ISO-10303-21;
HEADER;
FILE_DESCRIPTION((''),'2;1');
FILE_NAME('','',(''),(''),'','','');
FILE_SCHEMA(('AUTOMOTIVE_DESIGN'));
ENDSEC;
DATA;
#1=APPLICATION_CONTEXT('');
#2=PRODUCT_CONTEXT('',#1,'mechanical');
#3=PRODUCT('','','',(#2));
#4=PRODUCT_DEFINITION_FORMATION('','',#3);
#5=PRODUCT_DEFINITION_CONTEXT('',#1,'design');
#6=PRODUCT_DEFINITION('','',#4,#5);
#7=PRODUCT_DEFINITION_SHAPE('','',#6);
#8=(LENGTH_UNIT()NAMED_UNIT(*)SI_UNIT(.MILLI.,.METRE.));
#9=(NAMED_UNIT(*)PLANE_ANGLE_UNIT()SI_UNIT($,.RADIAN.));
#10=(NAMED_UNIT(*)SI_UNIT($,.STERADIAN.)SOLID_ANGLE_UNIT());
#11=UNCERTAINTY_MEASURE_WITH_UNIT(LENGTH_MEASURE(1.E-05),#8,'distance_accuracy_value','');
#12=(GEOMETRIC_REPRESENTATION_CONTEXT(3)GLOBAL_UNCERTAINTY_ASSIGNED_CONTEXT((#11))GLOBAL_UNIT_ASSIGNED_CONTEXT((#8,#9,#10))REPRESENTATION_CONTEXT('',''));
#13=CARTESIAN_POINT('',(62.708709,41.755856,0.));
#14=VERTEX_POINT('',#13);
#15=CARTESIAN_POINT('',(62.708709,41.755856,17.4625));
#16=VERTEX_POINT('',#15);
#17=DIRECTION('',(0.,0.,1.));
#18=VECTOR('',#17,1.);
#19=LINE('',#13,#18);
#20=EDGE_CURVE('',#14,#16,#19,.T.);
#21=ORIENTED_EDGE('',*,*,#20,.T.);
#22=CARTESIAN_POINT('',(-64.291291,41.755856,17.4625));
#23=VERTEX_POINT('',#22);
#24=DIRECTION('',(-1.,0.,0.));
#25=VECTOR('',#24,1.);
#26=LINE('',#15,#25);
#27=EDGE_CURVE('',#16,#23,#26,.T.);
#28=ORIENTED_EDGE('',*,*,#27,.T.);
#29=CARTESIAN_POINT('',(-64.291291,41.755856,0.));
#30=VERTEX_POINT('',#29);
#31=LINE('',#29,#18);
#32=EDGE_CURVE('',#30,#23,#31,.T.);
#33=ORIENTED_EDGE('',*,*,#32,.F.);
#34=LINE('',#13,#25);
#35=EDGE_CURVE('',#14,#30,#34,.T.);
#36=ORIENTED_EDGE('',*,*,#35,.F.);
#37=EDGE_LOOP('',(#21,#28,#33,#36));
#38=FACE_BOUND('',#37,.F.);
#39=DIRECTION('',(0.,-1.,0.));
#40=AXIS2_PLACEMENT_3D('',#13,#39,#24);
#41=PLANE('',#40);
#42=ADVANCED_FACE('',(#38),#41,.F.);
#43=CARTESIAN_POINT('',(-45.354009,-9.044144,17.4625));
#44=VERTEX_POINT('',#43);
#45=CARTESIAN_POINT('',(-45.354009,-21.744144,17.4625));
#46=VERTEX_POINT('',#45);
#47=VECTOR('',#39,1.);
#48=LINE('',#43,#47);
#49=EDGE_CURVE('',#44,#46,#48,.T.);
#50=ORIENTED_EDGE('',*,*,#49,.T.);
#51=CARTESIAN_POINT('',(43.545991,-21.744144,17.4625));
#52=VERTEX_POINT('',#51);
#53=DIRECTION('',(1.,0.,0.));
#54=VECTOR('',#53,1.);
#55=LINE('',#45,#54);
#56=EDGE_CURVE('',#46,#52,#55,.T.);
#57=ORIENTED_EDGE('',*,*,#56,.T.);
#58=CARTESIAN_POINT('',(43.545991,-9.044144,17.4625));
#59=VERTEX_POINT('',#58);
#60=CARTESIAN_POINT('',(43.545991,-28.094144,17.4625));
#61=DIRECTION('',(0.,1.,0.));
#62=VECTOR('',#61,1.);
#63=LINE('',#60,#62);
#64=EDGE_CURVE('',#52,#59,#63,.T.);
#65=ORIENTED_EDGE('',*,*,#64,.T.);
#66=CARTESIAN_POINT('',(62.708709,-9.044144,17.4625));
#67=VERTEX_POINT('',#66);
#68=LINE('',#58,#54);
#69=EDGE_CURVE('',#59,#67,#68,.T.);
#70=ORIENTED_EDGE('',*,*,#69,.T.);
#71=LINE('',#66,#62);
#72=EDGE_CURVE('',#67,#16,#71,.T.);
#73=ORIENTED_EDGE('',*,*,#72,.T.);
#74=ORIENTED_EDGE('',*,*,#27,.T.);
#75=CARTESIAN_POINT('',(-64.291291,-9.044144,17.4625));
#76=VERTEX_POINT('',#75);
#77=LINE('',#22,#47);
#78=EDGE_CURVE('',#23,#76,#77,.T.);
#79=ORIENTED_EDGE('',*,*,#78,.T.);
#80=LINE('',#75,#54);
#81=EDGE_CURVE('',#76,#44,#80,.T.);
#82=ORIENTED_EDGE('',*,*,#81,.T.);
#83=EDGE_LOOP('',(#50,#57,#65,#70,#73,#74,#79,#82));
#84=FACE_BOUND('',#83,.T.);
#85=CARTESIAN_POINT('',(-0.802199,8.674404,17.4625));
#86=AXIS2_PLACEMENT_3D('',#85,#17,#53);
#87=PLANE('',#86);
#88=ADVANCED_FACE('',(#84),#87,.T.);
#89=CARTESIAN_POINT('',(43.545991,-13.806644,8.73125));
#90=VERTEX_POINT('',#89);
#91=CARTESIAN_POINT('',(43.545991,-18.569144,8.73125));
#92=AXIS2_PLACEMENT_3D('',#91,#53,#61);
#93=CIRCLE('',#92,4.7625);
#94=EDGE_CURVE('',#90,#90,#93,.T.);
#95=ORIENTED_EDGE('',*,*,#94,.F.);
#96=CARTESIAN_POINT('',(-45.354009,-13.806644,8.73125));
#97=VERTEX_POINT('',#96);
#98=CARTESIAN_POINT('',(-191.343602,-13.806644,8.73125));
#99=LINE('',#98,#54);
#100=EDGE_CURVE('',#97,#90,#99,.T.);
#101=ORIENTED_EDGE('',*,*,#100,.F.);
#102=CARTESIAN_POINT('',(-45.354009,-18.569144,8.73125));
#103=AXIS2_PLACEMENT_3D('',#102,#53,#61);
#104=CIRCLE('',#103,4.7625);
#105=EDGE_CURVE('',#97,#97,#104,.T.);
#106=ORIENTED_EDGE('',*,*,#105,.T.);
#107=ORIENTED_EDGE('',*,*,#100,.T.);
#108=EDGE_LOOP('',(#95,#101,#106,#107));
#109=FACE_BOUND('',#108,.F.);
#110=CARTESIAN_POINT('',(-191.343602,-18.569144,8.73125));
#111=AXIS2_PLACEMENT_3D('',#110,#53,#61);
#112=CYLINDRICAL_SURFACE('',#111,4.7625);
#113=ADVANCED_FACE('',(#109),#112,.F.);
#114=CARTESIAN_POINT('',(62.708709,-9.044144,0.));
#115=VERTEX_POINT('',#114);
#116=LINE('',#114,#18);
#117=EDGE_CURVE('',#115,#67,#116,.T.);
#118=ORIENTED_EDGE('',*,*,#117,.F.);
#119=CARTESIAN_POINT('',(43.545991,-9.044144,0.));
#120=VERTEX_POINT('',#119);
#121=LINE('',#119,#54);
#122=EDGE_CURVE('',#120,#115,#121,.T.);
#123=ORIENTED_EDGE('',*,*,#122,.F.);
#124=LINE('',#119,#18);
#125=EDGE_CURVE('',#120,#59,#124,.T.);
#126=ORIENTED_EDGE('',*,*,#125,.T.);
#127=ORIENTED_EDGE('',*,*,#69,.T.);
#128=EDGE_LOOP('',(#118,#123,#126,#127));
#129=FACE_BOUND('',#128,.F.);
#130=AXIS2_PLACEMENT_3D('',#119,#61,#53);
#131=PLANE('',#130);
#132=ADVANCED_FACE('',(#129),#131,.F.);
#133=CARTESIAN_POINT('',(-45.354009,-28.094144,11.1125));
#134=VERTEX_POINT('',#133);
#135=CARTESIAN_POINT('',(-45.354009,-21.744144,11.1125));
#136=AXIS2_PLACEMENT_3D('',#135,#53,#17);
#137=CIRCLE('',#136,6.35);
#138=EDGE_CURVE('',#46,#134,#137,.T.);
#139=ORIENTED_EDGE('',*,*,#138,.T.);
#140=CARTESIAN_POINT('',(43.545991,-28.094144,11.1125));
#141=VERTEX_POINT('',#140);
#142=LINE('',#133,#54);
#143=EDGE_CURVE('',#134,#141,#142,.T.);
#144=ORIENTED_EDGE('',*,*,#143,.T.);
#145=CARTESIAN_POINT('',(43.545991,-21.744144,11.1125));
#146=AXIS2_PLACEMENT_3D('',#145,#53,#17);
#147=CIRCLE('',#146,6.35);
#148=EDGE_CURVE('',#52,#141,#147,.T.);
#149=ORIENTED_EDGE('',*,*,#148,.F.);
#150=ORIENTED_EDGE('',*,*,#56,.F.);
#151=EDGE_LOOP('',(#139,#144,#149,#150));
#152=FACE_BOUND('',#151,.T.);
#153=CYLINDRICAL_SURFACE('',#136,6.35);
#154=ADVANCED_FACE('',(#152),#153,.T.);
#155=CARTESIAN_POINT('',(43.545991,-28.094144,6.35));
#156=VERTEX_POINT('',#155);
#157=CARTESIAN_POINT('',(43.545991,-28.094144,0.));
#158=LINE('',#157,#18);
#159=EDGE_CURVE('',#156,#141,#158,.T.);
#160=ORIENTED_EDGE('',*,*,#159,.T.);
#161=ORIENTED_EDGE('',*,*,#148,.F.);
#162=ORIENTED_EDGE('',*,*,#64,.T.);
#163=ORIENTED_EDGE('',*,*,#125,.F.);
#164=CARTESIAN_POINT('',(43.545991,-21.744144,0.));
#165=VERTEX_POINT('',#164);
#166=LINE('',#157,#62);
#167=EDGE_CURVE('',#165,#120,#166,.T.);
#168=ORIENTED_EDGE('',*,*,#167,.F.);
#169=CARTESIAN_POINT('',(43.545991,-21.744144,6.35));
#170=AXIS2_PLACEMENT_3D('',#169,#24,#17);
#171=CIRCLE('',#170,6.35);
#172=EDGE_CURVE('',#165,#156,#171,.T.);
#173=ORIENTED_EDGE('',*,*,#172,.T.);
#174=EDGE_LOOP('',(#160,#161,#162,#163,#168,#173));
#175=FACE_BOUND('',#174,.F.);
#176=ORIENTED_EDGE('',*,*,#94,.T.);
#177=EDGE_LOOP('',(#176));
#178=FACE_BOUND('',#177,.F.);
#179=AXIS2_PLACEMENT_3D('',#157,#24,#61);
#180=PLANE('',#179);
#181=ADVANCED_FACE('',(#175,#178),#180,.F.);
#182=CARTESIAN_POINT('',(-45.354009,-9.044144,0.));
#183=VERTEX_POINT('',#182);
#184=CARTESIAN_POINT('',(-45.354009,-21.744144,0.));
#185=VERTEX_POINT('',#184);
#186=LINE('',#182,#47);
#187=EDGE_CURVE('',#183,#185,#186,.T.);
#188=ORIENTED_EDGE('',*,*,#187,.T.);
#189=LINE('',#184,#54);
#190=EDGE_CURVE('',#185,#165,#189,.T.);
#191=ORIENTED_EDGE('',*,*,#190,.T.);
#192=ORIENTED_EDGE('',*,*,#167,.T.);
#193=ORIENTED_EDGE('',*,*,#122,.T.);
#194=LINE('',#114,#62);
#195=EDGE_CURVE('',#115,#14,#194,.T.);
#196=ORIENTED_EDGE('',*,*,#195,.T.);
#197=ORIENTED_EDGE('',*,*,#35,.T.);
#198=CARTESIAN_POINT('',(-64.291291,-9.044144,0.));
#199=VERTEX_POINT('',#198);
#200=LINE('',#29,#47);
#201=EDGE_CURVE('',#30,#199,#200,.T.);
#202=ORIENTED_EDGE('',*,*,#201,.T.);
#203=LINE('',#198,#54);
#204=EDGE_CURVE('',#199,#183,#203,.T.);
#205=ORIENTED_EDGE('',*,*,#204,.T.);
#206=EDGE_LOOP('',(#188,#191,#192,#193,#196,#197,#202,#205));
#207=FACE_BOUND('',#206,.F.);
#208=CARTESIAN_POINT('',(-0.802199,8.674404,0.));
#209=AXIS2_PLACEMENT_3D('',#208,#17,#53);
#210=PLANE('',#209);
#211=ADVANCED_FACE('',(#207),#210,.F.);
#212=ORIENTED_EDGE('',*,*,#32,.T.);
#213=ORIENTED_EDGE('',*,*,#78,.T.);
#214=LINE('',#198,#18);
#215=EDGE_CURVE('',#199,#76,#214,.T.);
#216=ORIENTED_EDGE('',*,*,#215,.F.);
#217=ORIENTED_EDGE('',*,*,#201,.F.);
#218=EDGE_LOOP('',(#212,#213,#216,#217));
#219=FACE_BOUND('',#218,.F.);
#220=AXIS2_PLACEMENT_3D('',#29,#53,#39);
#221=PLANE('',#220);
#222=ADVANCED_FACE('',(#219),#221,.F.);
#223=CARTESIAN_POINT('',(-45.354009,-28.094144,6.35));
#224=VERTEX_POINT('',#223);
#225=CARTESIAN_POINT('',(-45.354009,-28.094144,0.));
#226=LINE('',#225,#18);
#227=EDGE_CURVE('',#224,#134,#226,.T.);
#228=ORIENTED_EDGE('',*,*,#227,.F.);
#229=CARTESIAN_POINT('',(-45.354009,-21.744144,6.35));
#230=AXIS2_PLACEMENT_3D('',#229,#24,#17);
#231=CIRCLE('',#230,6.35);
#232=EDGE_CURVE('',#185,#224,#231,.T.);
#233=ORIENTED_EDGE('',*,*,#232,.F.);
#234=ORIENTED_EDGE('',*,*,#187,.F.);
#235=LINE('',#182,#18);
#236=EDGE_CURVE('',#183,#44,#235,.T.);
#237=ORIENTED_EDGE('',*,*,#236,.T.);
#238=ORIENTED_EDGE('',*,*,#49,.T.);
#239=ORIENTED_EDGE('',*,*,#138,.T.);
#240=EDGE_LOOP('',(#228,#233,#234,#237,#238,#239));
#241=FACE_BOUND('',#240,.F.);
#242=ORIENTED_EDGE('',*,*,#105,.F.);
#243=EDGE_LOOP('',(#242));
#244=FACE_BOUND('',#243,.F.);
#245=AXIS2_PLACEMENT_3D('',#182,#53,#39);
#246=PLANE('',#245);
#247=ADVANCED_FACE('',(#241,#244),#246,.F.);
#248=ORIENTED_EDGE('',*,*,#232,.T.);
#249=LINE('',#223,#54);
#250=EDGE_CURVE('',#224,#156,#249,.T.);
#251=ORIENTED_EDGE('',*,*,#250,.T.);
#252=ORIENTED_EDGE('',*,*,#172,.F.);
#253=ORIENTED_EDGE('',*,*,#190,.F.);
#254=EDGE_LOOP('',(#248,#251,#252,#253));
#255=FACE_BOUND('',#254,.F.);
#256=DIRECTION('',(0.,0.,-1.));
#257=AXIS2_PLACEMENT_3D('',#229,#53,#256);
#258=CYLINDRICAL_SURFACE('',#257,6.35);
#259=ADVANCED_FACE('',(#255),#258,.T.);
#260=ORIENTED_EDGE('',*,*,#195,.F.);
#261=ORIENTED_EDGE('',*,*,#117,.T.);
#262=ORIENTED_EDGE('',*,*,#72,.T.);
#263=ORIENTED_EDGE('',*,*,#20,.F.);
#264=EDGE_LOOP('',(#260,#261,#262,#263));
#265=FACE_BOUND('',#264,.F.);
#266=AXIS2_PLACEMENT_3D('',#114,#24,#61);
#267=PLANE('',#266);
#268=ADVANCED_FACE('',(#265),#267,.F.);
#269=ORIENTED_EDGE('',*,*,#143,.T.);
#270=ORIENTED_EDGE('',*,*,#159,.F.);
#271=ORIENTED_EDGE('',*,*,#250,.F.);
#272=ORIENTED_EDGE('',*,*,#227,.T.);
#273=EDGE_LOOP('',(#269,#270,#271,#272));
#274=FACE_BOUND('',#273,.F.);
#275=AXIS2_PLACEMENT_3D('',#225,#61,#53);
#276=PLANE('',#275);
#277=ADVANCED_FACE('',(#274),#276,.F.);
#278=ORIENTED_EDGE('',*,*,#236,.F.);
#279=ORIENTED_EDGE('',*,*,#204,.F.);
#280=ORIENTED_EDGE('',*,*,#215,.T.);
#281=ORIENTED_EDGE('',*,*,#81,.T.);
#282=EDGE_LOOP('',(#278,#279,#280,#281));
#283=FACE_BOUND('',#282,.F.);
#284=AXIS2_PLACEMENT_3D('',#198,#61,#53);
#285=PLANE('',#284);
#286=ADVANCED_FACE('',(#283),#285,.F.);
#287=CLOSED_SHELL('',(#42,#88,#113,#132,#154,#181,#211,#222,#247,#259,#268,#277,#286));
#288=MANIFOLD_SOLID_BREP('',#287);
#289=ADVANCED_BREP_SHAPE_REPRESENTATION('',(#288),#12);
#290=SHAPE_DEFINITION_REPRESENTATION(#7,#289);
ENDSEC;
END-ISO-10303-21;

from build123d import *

# Parameters (mm, degrees)
F1_DEPTH = 17.4625
F3_D     = 9.525
F4_R     = 6.35


with BuildPart() as f1:
    # F0 (on Top) → F1 (new body)
    with BuildSketch(Plane.XY):
        Polygon((62.708709, 41.755856), (-64.291291, 41.755856), (-64.291291, -9.044144), (-45.354009, -9.044144), (-45.354009, -28.094144), (43.545991, -28.094144), (43.545991, -9.044144), (62.708709, -9.044144), align=None)
    extrude(amount=F1_DEPTH)

    # F3 (through all)
    with Locations(Plane(origin=(-45.354009, 0, 0), x_dir=(0, -1, 0), z_dir=(-1, 0, 0))):
        with Locations((18.569144, 8.73125)):
            Hole(F3_D / 2)

    # F4
    f4_edges = [f1.edges().sort_by_distance(p)[0] for p in [
        (-0.904009, -28.094144, 17.4625),
        (-0.904009, -28.094144, 0),
    ]]
    fillet(f4_edges, radius=F4_R)


solid = f1.part
